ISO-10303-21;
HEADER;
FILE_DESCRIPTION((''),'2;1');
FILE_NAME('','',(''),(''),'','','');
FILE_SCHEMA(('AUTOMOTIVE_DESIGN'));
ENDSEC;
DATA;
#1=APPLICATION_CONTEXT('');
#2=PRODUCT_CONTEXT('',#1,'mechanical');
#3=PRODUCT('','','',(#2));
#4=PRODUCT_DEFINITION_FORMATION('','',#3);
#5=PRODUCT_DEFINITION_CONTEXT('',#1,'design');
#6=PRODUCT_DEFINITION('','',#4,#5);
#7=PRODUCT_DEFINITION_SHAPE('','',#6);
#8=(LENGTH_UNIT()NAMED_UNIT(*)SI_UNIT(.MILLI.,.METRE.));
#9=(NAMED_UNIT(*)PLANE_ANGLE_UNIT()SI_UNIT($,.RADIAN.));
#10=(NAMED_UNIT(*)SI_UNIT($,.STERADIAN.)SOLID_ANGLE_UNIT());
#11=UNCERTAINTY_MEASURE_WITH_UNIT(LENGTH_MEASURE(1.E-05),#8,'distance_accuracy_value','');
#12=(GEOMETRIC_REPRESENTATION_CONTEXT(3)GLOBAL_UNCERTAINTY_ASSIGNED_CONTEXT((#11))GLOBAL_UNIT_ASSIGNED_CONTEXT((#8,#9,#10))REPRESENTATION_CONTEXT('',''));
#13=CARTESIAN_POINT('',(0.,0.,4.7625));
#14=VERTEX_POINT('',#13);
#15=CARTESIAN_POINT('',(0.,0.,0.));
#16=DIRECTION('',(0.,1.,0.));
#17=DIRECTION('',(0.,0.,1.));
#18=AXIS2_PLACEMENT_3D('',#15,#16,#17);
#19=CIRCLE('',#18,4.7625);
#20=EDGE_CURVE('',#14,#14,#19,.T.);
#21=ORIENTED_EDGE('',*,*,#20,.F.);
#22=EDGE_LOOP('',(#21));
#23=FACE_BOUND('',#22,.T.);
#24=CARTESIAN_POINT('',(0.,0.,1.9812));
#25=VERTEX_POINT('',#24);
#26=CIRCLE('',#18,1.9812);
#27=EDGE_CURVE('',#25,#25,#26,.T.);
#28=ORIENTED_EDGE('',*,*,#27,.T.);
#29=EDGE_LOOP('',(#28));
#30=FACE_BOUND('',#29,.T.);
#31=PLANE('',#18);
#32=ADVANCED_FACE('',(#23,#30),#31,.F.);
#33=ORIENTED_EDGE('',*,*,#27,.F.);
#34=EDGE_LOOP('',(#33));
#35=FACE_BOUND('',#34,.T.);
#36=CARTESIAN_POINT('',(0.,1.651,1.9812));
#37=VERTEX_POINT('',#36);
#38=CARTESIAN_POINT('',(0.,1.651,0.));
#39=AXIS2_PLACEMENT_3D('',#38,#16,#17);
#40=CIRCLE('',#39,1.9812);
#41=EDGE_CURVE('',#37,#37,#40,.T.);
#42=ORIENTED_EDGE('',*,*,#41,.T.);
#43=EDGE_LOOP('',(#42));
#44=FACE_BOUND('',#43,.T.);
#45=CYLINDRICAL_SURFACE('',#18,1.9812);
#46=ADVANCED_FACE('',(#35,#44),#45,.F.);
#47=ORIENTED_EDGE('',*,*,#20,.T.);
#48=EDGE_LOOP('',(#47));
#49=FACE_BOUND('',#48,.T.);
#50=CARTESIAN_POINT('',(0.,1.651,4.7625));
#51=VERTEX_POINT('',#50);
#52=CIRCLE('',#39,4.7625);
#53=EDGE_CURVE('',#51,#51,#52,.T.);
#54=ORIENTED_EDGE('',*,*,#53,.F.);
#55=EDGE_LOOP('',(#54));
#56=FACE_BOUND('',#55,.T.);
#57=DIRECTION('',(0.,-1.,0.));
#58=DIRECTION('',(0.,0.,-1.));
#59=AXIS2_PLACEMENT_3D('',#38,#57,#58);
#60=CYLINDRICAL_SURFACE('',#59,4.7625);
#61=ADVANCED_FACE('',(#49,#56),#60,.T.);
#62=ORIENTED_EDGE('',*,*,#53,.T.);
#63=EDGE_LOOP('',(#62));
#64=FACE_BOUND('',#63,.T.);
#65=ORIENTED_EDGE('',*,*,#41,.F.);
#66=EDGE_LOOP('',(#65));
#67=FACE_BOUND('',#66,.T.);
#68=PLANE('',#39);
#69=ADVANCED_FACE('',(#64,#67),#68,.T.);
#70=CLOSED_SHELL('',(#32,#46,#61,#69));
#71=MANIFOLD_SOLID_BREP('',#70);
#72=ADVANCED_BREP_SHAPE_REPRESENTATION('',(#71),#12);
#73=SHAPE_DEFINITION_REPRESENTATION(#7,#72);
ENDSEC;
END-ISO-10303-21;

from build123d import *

# Parameters (mm, degrees)
SKETCH1_R           = 4.7625
BOSS_EXTRUDE1_DEPTH = 1.651
SKETCH5_R           = 1.9812
CUT_EXTRUDE1_DEPTH  = 2.651


with BuildPart() as part:
    # Sketch1 → Boss-Extrude1 (new body)
    with BuildSketch(Plane(origin=(0, 0, 0), x_dir=(1, 0, 0), z_dir=(0, 1, 0))):
        Circle(SKETCH1_R)
    extrude(amount=BOSS_EXTRUDE1_DEPTH)

    # Sketch5 → Cut-Extrude1 (cut, through all)
    with BuildSketch(Plane(origin=(0, 1.651, 0), x_dir=(-1, 0, 0), z_dir=(0, 1, 0))):
        Circle(SKETCH5_R)
    extrude(amount=-CUT_EXTRUDE1_DEPTH, mode=Mode.SUBTRACT)


solid = part.part
